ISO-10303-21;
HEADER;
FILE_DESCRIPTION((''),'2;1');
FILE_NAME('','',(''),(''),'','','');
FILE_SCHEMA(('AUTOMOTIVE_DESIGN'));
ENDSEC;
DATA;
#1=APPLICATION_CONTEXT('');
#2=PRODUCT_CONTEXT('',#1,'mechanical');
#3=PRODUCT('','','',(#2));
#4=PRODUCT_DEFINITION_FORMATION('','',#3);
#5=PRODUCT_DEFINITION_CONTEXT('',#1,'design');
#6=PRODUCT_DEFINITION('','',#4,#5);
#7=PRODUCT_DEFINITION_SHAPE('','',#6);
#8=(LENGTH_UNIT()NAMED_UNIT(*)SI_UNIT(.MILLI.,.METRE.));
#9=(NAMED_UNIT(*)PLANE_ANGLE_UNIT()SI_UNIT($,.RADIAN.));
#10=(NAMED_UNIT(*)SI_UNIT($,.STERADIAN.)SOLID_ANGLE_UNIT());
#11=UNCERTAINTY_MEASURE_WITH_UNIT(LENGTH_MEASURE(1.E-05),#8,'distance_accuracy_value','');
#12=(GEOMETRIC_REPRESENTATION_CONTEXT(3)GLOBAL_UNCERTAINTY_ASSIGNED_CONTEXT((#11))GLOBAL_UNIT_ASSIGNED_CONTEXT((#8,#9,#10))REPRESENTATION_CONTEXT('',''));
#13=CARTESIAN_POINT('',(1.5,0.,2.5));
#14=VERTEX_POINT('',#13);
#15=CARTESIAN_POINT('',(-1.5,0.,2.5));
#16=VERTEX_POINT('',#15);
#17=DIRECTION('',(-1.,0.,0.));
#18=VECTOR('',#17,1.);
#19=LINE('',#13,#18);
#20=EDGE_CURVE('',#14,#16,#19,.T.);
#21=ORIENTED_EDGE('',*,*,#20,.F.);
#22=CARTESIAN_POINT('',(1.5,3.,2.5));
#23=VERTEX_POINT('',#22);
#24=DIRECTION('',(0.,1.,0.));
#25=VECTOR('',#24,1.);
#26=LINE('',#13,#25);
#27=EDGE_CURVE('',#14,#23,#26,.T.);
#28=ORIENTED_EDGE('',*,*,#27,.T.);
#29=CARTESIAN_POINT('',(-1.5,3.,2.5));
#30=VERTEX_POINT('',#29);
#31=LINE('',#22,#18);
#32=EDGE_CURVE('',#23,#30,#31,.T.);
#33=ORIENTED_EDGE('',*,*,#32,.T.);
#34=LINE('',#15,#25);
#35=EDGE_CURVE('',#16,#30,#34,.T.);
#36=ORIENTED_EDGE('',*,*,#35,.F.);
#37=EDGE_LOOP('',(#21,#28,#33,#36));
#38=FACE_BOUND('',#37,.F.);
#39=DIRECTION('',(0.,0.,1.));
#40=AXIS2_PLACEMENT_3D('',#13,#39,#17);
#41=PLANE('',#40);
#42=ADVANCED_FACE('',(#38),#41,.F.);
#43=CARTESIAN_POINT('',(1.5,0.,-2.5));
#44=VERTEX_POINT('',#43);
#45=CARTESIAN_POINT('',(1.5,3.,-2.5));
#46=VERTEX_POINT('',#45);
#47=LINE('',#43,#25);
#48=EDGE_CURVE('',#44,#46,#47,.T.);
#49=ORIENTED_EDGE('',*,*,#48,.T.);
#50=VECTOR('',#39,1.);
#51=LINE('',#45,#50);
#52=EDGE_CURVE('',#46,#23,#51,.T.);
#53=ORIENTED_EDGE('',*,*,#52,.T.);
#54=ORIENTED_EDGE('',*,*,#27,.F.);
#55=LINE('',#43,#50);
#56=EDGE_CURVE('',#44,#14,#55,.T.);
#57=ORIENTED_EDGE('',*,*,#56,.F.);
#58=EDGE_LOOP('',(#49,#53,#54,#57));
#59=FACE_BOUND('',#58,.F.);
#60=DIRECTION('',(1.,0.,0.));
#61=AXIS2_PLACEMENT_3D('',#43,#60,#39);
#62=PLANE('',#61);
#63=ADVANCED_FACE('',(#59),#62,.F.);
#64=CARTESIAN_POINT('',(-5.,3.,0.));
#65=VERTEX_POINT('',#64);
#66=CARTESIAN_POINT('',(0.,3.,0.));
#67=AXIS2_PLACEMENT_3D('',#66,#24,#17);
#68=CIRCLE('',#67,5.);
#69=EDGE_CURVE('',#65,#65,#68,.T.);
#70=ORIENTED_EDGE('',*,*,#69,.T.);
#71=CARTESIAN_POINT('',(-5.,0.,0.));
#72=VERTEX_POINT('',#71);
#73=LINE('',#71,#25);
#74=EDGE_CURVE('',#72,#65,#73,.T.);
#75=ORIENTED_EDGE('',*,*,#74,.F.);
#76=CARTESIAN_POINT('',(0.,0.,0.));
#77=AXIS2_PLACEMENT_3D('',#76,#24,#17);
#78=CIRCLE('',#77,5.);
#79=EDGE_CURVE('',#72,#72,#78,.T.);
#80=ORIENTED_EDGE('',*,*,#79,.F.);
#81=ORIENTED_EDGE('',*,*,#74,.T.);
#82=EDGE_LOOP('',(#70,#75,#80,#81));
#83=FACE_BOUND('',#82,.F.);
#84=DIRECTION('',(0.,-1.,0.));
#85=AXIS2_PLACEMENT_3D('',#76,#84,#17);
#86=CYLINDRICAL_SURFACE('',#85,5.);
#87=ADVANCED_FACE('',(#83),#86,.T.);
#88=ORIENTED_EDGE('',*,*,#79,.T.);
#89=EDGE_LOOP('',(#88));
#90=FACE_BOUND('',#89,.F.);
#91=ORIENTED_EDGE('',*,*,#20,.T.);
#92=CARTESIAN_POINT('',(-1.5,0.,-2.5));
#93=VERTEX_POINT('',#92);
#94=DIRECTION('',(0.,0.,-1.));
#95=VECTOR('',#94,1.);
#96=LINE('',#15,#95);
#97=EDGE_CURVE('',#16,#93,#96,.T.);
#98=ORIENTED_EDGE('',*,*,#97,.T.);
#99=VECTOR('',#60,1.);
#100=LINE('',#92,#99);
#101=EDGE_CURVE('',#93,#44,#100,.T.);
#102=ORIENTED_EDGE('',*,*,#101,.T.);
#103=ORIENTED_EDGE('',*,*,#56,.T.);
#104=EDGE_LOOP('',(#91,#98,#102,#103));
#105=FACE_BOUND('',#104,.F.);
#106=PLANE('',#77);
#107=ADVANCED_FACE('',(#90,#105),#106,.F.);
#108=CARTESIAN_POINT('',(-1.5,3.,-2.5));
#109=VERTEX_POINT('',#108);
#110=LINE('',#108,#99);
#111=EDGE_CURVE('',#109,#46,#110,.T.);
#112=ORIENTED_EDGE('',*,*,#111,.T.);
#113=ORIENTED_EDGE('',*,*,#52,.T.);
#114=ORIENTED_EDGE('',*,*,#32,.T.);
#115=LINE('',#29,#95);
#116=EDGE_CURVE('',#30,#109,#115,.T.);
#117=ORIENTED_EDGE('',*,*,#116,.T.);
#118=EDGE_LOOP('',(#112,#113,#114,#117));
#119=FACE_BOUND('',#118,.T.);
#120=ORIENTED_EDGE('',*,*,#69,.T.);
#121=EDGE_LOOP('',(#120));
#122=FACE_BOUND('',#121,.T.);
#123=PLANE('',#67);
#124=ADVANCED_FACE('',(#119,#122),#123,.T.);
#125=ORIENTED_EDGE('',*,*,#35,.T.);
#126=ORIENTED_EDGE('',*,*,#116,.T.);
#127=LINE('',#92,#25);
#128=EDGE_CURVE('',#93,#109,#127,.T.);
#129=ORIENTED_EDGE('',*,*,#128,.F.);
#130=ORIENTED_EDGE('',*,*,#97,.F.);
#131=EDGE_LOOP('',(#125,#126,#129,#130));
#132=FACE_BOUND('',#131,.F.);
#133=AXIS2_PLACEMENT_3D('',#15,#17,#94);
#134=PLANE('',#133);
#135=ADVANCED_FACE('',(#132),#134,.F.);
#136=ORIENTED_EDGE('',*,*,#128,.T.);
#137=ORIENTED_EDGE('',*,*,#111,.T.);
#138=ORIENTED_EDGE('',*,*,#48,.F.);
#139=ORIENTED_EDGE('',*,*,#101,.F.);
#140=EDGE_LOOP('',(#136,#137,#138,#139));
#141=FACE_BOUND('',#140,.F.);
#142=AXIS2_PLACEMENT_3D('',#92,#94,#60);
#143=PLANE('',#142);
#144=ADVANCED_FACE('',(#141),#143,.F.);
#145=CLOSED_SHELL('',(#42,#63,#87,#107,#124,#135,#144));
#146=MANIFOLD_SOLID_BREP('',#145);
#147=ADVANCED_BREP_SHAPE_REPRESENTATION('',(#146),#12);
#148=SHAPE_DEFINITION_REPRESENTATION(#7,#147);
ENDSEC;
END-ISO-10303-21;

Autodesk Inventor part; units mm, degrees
ref_plane "YZ Plane" through (0, 0, 0) normal (1, 0, 0) x (0, 1, 0)
ref_plane "XZ Plane" through (0, 0, 0) normal (0, 1, 0) x (-1, 0, 0)
ref_plane "XY Plane" through (0, 0, 0) normal (0, 0, 1) x (1, 0, 0)
sketch "Boceto2" plane through (0, 0, 0) normal (0, 1, 0) x (-1, 0, 0)
  circle A0 centre (0, 0) radius 5
  line L0 (1.5, -2.5) -> (-1.5, -2.5)
  line L1 (-1.5, -2.5) -> (-1.5, 2.5)
  line L2 (-1.5, 2.5) -> (1.5, 2.5)
  line L3 (1.5, 2.5) -> (1.5, -2.5)
  point P0 (-1.5, -2.5)
extrude "Extrusión1" add sketch "Boceto2" along normal blind 3
properties part number "Camera_Support" material "MDF Tablero de fibras de densidad media"
